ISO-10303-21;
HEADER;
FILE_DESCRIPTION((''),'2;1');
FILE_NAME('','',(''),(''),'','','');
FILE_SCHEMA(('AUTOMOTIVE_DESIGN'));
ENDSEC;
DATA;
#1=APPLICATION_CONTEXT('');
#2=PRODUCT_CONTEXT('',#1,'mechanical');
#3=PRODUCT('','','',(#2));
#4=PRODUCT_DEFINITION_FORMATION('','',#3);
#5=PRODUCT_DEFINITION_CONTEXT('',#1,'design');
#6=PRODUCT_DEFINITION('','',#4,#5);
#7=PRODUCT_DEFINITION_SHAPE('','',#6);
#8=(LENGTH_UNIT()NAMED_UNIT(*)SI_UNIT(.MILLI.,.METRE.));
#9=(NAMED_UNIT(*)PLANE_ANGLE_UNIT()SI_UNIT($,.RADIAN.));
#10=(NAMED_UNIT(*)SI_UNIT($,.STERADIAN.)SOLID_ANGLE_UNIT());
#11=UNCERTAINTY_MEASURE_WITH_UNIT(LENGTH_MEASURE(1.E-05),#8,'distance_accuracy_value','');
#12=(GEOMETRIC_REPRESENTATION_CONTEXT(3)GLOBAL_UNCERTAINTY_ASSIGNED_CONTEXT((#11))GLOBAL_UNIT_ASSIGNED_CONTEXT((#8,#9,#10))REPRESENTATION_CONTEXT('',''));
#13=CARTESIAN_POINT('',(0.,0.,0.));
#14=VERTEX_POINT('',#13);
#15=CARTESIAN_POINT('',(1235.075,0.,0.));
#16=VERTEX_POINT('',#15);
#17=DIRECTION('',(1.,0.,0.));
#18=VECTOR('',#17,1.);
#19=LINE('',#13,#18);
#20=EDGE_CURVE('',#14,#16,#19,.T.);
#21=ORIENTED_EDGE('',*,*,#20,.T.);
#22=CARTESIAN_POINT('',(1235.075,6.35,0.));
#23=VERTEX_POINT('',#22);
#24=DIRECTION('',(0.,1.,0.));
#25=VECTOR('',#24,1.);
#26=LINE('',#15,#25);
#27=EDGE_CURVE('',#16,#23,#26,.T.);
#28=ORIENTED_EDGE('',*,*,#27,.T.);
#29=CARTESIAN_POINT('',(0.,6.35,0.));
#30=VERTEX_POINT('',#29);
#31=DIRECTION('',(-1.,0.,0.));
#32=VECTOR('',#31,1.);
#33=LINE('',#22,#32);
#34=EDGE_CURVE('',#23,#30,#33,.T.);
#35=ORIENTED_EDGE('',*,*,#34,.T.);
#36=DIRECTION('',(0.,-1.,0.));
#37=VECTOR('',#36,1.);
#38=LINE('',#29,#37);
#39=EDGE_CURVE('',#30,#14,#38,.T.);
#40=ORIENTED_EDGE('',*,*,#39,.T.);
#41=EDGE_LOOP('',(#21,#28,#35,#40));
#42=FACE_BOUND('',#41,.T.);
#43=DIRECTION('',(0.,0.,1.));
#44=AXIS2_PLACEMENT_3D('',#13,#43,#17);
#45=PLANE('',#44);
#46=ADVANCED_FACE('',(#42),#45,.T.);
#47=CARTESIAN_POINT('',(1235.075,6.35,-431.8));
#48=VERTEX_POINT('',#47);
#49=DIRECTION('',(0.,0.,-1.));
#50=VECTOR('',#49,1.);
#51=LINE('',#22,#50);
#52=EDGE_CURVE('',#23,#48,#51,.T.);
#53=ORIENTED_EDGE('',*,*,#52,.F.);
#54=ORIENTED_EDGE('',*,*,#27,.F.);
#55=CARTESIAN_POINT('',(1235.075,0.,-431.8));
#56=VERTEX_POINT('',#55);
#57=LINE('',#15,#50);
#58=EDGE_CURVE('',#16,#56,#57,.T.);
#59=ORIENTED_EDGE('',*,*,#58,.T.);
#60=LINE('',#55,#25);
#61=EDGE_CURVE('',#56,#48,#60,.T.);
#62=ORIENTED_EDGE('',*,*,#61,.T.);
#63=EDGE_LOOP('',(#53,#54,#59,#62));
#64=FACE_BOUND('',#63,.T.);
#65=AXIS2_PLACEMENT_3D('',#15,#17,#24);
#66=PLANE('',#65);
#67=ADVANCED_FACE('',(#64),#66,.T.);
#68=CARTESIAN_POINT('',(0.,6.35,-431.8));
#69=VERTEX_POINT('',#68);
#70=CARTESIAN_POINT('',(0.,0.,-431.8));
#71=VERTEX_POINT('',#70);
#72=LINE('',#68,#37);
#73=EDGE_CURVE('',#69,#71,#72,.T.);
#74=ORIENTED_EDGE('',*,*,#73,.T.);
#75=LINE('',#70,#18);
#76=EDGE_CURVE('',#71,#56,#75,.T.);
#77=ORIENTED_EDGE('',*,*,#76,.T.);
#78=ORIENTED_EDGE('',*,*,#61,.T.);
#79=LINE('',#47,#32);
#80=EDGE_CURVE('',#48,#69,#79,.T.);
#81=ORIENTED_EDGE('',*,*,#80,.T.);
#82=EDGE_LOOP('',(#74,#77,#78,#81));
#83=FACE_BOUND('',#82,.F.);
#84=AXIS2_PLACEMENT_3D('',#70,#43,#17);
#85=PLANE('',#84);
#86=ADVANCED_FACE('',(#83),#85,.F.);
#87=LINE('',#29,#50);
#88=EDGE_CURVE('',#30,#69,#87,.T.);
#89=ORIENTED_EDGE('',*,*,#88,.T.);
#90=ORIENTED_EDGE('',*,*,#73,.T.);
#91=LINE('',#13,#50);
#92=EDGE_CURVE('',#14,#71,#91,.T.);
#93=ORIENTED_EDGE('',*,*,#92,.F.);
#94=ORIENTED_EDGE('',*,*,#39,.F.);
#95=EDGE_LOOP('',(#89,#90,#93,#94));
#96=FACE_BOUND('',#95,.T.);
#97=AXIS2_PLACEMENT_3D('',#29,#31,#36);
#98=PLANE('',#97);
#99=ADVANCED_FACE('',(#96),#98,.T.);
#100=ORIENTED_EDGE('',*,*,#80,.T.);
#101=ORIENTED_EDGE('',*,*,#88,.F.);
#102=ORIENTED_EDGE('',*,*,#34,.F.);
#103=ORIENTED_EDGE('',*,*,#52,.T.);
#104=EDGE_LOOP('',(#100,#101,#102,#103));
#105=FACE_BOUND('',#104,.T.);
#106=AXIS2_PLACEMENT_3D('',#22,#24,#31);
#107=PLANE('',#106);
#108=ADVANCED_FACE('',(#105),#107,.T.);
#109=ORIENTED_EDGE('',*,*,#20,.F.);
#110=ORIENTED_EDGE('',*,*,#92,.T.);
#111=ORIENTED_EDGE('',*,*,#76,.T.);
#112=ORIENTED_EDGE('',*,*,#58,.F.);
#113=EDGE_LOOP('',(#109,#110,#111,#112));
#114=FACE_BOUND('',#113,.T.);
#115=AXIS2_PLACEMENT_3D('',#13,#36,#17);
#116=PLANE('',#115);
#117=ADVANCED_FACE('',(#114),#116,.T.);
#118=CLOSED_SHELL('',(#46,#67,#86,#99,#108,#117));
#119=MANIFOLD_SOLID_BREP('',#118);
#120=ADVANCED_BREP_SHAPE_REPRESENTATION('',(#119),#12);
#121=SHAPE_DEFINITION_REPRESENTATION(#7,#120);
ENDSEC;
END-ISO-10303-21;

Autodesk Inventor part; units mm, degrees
ref_plane "YZ Plane" through (0, 0, 0) normal (1, 0, 0) x (0, 1, 0)
ref_plane "XZ Plane" through (0, 0, 0) normal (0, 1, 0) x (-1, 0, 0)
ref_plane "XY Plane" through (0, 0, 0) normal (0, 0, 1) x (1, 0, 0)
sketch "Sketch1" plane through (0, 0, 0) normal (0, 0, 1) x (1, 0, 0)
  line L0 (0, 0) -> (1235.075, 0)
  line L1 (1235.075, 0) -> (1235.075, 6.35)
  line L2 (1235.075, 6.35) -> (0, 6.35)
  line L3 (0, 6.35) -> (0, 0)
  dimension "d0" = 6.35
  dimension "d1" = 1235.075
extrude "Extrusion1" add sketch "Sketch1" against normal blind 431.8
properties part number "lead"
